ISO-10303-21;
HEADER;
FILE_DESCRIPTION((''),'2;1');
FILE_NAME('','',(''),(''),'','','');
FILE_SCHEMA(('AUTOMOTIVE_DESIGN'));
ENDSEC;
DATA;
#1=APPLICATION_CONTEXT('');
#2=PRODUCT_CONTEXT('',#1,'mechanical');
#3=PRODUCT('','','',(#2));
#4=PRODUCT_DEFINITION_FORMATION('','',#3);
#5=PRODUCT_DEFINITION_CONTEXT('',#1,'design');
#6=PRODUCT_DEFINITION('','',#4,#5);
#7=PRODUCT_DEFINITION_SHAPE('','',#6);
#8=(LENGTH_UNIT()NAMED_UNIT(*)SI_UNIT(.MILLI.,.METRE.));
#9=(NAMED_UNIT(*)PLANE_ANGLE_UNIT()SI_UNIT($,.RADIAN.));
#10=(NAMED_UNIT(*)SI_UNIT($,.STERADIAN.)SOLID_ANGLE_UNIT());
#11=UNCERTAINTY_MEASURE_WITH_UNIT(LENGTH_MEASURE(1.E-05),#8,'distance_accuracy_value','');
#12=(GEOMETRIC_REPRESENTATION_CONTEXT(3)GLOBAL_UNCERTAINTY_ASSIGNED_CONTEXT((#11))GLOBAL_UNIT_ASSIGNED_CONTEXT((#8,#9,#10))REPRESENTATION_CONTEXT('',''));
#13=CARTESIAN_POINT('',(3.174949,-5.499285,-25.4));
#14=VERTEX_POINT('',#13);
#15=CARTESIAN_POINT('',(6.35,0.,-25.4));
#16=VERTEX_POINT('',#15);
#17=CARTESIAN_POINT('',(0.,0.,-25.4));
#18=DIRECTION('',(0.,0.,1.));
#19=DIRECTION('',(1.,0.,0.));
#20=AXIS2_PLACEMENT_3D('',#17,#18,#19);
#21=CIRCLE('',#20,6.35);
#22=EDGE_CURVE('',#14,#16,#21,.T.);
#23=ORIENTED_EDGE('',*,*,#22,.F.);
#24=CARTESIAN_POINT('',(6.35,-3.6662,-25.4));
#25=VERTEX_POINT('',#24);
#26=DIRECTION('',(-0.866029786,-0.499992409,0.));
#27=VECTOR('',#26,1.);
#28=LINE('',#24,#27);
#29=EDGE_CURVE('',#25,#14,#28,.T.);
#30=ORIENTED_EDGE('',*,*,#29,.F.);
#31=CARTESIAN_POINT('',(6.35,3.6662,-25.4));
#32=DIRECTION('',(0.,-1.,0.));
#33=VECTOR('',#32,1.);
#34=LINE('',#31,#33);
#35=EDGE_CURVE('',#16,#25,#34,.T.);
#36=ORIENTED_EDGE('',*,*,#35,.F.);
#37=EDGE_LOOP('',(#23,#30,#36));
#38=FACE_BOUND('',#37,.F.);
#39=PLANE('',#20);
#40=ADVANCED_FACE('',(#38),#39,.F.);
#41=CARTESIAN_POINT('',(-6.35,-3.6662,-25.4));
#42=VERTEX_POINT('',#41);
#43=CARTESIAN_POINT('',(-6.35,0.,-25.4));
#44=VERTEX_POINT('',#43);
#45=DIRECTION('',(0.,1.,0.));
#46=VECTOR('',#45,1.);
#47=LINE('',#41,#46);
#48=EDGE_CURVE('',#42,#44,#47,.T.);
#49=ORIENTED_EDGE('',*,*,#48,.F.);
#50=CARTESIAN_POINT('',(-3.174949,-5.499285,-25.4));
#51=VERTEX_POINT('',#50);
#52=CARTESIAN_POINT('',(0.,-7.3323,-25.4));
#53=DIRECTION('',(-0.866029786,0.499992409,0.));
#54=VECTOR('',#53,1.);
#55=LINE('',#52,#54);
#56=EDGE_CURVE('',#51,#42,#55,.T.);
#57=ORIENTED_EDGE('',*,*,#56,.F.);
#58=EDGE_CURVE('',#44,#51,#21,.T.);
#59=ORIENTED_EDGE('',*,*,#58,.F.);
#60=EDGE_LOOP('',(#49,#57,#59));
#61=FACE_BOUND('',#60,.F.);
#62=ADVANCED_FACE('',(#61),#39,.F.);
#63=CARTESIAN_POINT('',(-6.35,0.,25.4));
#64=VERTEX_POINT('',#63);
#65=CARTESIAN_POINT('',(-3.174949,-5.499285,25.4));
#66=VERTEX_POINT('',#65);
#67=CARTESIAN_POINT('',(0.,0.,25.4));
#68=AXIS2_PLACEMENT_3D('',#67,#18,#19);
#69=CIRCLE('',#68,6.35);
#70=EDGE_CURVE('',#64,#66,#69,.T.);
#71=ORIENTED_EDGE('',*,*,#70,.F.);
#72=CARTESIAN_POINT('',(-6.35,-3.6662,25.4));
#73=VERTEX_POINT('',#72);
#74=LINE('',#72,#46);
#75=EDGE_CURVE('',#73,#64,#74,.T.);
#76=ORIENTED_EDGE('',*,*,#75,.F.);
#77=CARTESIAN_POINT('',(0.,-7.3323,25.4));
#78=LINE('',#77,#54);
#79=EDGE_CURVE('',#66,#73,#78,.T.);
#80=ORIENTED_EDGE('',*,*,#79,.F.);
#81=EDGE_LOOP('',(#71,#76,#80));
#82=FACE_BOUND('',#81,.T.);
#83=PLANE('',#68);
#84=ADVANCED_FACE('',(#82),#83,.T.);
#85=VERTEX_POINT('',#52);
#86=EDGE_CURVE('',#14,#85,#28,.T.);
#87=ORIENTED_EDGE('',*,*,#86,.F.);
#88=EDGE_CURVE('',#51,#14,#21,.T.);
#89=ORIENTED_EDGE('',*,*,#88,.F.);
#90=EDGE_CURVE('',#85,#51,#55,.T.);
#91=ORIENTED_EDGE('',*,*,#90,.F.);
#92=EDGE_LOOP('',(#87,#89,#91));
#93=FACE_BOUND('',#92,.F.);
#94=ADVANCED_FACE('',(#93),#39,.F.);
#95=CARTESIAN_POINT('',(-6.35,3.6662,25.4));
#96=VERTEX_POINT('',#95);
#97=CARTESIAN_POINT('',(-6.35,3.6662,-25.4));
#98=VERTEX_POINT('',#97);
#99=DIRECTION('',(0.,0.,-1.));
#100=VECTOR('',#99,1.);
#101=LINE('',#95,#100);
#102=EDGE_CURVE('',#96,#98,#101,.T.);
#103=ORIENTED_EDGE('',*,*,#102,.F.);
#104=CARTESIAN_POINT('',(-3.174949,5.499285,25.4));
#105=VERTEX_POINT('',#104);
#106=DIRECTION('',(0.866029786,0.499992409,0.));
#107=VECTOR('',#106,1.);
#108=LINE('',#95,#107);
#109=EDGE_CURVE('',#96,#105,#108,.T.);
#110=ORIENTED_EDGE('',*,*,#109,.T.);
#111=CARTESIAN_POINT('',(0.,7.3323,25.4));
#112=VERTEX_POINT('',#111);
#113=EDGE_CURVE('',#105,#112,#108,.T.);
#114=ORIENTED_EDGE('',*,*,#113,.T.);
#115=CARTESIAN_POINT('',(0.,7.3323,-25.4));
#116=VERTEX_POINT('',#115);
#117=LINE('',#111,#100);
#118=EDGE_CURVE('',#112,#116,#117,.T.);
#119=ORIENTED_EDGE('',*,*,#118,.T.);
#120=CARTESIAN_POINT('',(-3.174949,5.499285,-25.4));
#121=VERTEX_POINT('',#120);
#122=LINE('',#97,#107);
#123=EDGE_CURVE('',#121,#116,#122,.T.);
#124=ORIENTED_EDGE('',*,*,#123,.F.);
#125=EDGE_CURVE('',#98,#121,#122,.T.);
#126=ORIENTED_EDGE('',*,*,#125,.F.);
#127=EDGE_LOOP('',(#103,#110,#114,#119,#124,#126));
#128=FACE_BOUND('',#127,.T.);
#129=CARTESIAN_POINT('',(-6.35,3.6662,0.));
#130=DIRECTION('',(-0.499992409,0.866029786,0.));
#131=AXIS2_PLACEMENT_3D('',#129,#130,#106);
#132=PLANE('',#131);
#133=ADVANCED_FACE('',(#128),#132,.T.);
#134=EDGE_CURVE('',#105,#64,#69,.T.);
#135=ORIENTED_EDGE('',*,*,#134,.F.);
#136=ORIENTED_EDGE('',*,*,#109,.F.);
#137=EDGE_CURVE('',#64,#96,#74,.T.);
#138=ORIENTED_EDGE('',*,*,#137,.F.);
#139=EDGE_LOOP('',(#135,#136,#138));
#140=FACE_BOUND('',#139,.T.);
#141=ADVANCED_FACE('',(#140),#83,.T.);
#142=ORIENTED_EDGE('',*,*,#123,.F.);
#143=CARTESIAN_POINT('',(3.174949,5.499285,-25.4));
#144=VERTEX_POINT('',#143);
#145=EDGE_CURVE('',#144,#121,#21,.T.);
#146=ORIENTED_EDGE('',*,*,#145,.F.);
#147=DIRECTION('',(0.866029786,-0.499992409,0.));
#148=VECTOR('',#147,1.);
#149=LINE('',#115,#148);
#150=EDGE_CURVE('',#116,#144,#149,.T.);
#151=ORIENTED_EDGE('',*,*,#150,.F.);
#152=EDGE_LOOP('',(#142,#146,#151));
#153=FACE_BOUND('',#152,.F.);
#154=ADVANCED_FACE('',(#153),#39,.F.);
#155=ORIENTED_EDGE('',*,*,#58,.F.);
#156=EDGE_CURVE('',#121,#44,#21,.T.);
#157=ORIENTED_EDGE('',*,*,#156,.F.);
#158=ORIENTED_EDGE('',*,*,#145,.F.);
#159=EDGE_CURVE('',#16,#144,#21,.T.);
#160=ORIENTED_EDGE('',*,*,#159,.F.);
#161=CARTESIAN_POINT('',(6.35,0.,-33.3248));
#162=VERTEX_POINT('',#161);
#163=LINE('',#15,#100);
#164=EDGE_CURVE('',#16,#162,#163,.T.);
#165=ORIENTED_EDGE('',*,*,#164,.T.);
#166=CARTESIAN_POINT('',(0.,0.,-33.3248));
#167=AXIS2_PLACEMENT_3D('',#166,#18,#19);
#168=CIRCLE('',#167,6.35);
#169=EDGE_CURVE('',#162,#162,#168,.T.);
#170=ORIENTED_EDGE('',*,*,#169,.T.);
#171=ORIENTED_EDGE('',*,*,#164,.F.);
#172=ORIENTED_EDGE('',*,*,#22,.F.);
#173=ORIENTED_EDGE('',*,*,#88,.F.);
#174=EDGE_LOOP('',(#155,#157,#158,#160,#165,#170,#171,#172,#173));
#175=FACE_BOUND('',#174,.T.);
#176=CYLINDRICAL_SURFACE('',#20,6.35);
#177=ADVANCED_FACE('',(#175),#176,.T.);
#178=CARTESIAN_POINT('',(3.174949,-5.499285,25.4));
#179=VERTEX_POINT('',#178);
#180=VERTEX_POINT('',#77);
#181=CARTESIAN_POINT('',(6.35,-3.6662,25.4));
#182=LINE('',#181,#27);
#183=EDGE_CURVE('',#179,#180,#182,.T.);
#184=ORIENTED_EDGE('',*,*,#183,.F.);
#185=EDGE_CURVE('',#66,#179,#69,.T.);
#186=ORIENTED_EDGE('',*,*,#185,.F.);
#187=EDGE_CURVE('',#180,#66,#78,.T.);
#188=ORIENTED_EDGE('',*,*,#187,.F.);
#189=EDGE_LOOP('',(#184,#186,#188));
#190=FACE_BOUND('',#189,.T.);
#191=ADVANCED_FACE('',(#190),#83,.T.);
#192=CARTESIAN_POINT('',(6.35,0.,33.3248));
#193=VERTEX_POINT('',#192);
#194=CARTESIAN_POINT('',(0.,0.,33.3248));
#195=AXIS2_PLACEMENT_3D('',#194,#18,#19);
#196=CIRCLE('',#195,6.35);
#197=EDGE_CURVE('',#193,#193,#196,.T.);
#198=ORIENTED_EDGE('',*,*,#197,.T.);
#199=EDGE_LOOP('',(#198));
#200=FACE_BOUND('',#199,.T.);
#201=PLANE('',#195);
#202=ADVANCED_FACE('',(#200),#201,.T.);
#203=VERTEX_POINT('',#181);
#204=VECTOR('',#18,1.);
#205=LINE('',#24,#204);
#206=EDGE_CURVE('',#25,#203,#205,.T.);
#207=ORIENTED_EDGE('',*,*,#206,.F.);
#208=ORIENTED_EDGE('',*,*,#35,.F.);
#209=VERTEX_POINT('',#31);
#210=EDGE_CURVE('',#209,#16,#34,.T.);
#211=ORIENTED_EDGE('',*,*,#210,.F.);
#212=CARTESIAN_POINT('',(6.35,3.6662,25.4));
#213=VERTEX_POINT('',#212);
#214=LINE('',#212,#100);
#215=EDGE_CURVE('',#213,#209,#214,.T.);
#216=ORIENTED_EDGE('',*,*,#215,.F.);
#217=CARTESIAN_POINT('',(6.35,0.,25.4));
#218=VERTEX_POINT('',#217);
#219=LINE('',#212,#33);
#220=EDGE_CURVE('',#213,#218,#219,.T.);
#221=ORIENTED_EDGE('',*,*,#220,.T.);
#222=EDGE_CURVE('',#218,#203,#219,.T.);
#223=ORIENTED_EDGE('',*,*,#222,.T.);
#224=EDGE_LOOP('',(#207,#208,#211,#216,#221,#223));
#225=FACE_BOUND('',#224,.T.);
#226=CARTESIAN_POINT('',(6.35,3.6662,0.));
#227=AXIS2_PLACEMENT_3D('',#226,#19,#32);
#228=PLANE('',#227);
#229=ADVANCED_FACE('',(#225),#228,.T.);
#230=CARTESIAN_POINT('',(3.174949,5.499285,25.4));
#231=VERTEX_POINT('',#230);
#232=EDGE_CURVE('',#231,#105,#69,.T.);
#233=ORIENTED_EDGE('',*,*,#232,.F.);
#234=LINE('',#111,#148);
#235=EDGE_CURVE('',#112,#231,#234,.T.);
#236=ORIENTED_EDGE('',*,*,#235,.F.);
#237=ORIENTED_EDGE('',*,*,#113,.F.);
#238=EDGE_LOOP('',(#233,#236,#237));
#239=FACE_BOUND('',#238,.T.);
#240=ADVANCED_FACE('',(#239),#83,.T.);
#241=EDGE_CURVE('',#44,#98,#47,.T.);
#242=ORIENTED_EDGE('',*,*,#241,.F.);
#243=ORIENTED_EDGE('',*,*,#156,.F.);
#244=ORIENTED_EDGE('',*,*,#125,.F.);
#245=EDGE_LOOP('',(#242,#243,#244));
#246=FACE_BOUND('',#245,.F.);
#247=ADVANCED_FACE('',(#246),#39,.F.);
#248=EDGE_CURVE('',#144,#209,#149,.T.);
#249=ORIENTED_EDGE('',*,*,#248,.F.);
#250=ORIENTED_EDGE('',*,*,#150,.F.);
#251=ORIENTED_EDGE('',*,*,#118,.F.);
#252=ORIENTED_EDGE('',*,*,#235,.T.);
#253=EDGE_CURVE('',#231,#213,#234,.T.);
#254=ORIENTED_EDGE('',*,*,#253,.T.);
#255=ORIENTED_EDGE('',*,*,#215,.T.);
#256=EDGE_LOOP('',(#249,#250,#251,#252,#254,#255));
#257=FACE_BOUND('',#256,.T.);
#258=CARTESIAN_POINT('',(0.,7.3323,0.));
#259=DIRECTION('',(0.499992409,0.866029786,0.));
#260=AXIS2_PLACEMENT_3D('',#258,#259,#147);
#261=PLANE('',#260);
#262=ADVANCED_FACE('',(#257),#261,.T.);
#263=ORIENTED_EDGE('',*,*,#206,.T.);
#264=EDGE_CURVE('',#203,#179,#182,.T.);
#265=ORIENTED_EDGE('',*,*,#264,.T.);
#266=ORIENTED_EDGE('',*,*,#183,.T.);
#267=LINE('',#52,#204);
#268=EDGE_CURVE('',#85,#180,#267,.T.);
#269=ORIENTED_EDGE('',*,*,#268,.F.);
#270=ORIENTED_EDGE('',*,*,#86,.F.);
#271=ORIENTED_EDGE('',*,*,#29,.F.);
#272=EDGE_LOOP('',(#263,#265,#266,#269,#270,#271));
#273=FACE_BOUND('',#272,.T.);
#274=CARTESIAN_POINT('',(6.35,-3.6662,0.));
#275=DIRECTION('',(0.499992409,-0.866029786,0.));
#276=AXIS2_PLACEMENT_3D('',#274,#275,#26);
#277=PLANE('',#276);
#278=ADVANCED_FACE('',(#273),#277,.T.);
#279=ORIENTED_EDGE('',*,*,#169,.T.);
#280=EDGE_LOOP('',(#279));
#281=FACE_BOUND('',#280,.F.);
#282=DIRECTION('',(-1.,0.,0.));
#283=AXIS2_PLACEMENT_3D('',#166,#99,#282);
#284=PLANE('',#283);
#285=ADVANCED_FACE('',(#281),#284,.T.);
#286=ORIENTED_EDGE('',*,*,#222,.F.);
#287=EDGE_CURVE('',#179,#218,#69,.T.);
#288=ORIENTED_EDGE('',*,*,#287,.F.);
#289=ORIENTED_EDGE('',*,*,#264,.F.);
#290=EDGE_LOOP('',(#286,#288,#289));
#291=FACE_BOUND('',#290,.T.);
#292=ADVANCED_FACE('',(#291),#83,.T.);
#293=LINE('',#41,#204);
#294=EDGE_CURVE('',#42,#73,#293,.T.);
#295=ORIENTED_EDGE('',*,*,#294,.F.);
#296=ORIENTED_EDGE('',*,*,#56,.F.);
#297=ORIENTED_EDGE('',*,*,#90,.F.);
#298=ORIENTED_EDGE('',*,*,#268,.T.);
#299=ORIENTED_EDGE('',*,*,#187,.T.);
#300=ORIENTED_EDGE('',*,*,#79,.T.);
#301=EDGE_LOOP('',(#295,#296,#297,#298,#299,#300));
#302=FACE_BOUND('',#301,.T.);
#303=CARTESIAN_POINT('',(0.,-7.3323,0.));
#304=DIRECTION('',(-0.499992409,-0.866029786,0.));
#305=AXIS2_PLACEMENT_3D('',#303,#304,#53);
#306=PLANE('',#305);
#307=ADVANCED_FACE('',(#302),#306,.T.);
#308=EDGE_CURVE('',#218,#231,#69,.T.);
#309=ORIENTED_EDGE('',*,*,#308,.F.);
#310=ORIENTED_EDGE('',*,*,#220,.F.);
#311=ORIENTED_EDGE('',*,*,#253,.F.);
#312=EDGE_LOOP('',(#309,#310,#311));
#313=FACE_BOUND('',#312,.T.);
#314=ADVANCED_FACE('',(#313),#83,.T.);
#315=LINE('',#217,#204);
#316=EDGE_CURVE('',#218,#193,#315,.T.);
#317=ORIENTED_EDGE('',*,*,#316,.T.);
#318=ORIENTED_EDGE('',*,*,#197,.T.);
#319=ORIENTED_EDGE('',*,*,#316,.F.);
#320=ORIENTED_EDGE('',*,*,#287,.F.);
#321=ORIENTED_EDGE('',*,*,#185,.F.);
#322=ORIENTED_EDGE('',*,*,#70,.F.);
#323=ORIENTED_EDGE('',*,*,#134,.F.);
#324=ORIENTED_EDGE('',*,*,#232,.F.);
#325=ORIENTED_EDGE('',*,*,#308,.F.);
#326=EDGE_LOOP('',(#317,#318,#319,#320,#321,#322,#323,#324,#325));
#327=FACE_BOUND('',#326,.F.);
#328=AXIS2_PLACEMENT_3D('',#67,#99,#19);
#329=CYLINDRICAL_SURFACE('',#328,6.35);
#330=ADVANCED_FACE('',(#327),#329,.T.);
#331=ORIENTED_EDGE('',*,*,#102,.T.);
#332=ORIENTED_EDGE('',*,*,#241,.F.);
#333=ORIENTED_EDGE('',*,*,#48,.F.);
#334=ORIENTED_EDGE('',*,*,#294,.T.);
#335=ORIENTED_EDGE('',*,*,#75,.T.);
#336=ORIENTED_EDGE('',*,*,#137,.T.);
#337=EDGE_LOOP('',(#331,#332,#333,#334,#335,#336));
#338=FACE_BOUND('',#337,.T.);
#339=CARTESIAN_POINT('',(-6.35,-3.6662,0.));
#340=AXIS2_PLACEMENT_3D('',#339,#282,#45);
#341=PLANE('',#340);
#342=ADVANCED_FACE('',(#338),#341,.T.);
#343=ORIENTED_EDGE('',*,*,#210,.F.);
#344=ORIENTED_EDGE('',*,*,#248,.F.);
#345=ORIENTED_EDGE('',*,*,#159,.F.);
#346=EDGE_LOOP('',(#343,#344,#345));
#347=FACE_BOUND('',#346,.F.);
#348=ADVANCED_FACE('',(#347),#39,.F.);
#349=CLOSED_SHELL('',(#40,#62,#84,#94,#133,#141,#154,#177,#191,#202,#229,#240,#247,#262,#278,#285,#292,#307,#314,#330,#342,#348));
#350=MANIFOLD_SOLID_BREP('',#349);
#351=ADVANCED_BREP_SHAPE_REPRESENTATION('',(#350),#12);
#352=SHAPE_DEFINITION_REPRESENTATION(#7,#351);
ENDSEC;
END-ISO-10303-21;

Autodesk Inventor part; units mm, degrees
ref_plane "YZ Plane" through (0, 0, 0) normal (1, 0, 0) x (0, 1, 0)
ref_plane "XZ Plane" through (0, 0, 0) normal (0, 1, 0) x (-1, 0, 0)
ref_plane "XY Plane" through (0, 0, 0) normal (0, 0, 1) x (1, 0, 0)
sketch "Sketch1" plane through (0, 0, 0) normal (0, 0, 1) x (1, 0, 0)
  line L0 (-6.35, -3.6662) -> (-6.35, 3.6662)
  line L1 (-6.35, 3.6662) -> (0, 7.3323)
  line L2 (0, 7.3323) -> (6.35, 3.6662)
  line L3 (6.35, 3.6662) -> (6.35, -3.6662)
  line L4 (6.35, -3.6662) -> (0, -7.3323)
  line L5 (0, -7.3323) -> (-6.35, -3.6662)
  point P0 (0, 0)
  point P1 (0, 0)
  dimension "Size" = 12.7
extrude "Extrusion1" add sketch "Sketch1" along normal mid plane 50.8
sketch "Sketch2" plane through (0, 0, 25.4) normal (0, 0, 1) x (1, 0, 0)
  line L0 (-6.35, 3.6662) -> (-6.35, -3.6662) construction
  line L1 (-6.35, -3.6662) -> (0, -7.3323) construction
  line L2 (0, -7.3323) -> (6.35, -3.6662) construction
  line L3 (6.35, -3.6662) -> (6.35, 3.6662) construction
  line L4 (6.35, 3.6662) -> (0, 7.3323) construction
  line L5 (0, 7.3323) -> (-6.35, 3.6662) construction
  circle A0 centre (0, 0) radius 6.35
extrude "Extrusion2" add sketch "Sketch2" along normal blind 7.9248
mirror "Mirror1" about plane through (0, 0, 0) normal (0, 0, 1) of "Extrusion2"
properties part number "SHAFT" material "Aluminum 6061"
